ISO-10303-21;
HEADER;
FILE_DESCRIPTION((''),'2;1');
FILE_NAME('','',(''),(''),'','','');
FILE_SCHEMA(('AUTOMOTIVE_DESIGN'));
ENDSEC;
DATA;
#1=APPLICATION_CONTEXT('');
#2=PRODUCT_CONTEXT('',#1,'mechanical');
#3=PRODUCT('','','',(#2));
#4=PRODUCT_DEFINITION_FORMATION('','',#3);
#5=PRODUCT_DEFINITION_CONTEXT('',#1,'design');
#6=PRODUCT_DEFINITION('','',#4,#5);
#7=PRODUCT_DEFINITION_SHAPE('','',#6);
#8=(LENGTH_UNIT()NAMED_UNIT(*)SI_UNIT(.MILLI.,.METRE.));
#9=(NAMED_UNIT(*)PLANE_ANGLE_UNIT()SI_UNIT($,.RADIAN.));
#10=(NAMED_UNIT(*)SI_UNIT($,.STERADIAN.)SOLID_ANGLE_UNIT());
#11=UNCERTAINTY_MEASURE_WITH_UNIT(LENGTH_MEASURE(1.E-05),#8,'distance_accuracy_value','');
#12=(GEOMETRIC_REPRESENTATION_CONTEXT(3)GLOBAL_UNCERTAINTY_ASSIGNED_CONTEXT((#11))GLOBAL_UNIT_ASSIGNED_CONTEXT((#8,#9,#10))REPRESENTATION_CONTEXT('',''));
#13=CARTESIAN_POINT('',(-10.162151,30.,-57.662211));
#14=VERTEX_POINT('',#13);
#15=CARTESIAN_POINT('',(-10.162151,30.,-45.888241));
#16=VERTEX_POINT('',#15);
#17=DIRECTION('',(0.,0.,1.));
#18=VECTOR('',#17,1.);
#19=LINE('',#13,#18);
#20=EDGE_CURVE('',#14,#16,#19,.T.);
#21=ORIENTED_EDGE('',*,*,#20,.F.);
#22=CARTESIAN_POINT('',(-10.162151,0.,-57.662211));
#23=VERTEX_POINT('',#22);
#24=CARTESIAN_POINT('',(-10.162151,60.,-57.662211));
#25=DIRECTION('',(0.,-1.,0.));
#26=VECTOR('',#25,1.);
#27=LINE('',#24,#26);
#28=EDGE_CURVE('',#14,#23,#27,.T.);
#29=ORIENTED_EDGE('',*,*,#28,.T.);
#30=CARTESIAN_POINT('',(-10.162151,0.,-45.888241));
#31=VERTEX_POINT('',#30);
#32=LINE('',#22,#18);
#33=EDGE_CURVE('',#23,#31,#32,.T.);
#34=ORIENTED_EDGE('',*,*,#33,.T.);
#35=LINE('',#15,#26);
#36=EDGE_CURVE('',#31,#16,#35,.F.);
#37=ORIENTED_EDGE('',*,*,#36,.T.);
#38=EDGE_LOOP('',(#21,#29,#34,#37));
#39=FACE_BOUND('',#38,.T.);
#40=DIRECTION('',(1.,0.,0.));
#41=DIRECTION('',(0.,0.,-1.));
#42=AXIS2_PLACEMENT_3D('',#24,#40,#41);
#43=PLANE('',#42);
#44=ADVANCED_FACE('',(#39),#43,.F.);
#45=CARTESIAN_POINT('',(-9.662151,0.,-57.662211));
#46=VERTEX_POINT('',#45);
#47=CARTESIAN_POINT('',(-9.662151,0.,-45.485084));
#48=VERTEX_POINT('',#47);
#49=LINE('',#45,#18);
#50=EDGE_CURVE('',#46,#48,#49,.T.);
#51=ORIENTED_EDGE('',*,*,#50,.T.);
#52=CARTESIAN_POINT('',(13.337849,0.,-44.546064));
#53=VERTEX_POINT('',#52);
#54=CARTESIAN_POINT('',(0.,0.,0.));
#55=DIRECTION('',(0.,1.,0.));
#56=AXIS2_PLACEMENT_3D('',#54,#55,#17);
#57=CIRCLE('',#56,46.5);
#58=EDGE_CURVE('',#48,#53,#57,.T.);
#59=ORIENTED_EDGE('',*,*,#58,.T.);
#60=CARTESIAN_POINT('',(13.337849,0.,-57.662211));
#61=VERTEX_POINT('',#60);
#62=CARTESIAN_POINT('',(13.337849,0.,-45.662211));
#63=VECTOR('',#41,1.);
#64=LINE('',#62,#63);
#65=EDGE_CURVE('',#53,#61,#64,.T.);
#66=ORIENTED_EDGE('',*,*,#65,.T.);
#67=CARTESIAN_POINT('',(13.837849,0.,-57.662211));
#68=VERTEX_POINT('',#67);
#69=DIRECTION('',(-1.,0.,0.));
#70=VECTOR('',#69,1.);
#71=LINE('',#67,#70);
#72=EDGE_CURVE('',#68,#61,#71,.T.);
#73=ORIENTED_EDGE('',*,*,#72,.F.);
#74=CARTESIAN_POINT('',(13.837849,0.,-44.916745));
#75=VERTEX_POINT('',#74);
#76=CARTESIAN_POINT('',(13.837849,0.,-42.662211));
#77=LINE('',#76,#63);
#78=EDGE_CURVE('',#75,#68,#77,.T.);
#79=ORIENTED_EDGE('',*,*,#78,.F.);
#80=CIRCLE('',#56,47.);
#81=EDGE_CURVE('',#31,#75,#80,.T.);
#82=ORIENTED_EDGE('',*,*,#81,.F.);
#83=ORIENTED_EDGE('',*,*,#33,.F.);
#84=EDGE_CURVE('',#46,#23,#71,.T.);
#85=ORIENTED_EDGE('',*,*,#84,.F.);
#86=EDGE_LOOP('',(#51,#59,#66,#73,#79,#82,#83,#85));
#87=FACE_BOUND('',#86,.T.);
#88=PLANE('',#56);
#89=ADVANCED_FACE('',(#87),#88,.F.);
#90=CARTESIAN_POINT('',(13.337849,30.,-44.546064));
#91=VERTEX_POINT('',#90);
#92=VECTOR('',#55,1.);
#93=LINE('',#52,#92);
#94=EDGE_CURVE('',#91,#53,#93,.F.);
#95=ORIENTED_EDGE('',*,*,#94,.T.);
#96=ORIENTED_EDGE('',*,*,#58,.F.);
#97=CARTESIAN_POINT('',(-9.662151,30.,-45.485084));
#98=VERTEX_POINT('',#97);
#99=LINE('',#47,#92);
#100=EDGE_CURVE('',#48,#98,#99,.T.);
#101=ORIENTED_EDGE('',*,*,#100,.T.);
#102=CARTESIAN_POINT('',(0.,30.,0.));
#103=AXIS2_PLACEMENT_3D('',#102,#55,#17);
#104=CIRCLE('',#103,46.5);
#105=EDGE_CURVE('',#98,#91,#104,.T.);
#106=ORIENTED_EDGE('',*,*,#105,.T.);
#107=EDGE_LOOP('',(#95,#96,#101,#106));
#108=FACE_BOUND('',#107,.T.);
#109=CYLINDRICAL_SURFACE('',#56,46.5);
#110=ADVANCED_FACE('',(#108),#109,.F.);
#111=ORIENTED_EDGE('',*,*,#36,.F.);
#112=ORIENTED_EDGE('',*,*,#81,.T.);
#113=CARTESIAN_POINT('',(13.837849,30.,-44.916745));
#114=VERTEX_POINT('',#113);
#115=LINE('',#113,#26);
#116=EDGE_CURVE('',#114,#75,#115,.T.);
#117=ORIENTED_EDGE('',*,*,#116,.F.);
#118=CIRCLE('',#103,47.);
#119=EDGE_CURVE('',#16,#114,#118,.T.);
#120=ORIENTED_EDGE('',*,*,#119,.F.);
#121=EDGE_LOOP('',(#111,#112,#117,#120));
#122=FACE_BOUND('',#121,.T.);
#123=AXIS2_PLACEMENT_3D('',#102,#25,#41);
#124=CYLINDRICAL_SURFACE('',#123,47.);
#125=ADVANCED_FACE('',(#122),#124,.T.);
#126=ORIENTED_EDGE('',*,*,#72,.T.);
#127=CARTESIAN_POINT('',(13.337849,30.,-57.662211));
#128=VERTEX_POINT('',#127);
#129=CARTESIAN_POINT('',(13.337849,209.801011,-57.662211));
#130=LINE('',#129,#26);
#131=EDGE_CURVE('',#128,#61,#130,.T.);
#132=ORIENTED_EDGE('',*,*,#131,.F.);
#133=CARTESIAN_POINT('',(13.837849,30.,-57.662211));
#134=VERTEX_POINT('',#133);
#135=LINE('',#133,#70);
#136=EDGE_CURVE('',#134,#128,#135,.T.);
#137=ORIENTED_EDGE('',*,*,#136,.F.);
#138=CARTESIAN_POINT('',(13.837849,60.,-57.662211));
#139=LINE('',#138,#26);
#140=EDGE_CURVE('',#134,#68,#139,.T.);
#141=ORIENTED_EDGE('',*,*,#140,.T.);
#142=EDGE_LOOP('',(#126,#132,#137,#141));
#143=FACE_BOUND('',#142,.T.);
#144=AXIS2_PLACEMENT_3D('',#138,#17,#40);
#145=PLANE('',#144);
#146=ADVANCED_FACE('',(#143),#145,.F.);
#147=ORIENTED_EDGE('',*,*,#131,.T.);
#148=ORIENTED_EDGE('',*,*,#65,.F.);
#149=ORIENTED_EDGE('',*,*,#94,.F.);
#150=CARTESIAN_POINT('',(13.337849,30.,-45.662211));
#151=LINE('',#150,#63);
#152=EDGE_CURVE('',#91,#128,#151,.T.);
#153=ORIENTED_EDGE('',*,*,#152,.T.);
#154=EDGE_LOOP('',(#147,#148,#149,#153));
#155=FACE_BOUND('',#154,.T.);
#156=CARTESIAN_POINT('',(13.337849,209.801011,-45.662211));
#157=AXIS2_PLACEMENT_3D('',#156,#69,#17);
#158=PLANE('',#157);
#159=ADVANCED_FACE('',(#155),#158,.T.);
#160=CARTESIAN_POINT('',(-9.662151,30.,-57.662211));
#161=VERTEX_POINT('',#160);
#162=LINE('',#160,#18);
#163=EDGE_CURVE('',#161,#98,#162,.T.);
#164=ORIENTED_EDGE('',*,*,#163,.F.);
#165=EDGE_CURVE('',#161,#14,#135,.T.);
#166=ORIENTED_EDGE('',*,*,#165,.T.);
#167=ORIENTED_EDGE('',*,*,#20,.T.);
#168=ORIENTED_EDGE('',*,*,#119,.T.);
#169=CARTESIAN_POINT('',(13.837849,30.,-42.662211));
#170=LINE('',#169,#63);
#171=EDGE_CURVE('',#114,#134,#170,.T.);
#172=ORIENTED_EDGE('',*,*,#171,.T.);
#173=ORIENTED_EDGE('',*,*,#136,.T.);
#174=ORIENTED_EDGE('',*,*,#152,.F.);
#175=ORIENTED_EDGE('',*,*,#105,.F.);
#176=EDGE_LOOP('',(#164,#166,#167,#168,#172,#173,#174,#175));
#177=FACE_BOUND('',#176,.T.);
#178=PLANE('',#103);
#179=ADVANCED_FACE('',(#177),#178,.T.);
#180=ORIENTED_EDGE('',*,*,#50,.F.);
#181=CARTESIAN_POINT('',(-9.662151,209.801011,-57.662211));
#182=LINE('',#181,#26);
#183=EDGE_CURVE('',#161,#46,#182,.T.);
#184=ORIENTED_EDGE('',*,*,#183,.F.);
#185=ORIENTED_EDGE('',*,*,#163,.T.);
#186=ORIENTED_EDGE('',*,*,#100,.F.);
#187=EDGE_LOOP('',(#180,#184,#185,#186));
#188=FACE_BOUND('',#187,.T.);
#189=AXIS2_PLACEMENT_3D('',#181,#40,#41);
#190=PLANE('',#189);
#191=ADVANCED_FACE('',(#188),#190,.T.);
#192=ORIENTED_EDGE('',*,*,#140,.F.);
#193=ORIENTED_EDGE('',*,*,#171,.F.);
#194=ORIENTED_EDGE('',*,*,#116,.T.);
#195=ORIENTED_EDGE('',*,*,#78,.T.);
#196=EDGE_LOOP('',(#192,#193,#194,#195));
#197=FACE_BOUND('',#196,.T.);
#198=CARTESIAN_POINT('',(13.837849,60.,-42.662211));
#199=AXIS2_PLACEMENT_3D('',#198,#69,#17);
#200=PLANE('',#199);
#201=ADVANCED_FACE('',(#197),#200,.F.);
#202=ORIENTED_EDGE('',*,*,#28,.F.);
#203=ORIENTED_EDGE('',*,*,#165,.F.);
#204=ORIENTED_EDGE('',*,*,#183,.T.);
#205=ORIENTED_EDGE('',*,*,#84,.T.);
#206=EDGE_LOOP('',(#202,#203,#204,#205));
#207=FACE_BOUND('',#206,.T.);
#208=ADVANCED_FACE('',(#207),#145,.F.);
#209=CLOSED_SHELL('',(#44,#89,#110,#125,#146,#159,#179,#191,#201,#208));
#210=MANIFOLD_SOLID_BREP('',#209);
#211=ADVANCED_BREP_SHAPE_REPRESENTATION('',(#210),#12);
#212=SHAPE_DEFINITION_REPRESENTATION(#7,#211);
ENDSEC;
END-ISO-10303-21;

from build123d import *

# Parameters (mm, degrees)
SKETCH1_R               = 47
BOSS_EXTRUDE1_DEPTH     = 30
SKETCH3_W               = 24
SKETCH3_H               = 15
BOSS_EXTRUDE2_DEPTH     = 30
SKETCH4_W               = 24
SKETCH4_H               = 15
CUT_EXTRUDE1_DEPTH      = 30
CUT_EXTRUDE2_DEPTH      = 81.211785557
CUT_EXTRUDE2_DEPTH_BACK = 30
SKETCH6_R               = 46.5
CUT_EXTRUDE3_DEPTH      = 30
SKETCH9_W               = 4.550783746
SKETCH9_H               = 30
CUT_EXTRUDE4_DEPTH      = 30
SKETCH10_W              = 0.875085896
SKETCH10_H              = 30
CUT_EXTRUDE5_DEPTH      = 30


with BuildPart() as part:
    # Sketch1 → Boss-Extrude1 (new body)
    with BuildSketch(Plane(origin=(0, 0, 0), x_dir=(1, 0, 0), z_dir=(0, 1, 0))):
        with Locations(Location((0, 0, 0), (0, 0, 270))):
            Circle(SKETCH1_R)
    extrude(amount=BOSS_EXTRUDE1_DEPTH)

    # Sketch3 → Boss-Extrude2 (add, symmetric)
    with BuildSketch(Plane(origin=(0, 30, 0), x_dir=(1, 0, 0), z_dir=(0, 1, 0))):
        with Locations((1.837848925, 50.162210695)):
            Rectangle(SKETCH3_W, SKETCH3_H)
    extrude(amount=BOSS_EXTRUDE2_DEPTH, both=True)

    # Sketch4 → Cut-Extrude1 (cut)
    with BuildSketch(Plane(origin=(0, 60, 0), x_dir=(1, 0, 0), z_dir=(0, 1, 0))):
        with Locations((1.837848925, 50.162210695)):
            Rectangle(SKETCH4_W, SKETCH4_H)
    extrude(amount=-CUT_EXTRUDE1_DEPTH, mode=Mode.SUBTRACT)

    # Sketch5 → Cut-Extrude2 (cut, two sides: drawn at the far end of the back side and taken through both)
    with BuildSketch(Plane(origin=(0, 30, 0), x_dir=(1, 0, 0), z_dir=(0, 1, 0)).offset(-CUT_EXTRUDE2_DEPTH_BACK)):
        Polygon((-9.036385525, 57.662210695), (-9.662151075, 57.662210695), (-9.662151075, 45.662210695), (13.337848925, 45.662210695), (13.337848925, 57.662210695), align=None)
    extrude(amount=CUT_EXTRUDE2_DEPTH + CUT_EXTRUDE2_DEPTH_BACK, mode=Mode.SUBTRACT)

    # Sketch6 → Cut-Extrude3 (cut)
    with BuildSketch(Plane(origin=(0, 30, 0), x_dir=(1, 0, 0), z_dir=(0, 1, 0))):
        Circle(SKETCH6_R)
    extrude(amount=-CUT_EXTRUDE3_DEPTH, mode=Mode.SUBTRACT)

    # Sketch9 → Cut-Extrude4 (cut)
    with BuildSketch(Plane(origin=(0, 0, -45.662210695), x_dir=(-1, 0, 0), z_dir=(0, 0, -1))):
        with Locations((-11.062457052, 15)):
            Rectangle(SKETCH9_W, SKETCH9_H)
    extrude(amount=-CUT_EXTRUDE4_DEPTH, mode=Mode.SUBTRACT)

    # Sketch10 → Cut-Extrude5 (cut)
    with BuildSketch(Plane(origin=(0, 0, -45.662210695), x_dir=(-1, 0, 0), z_dir=(0, 0, -1))):
        with Locations((9.224608127, 15)):
            Rectangle(SKETCH10_W, SKETCH10_H)
    extrude(amount=-CUT_EXTRUDE5_DEPTH, mode=Mode.SUBTRACT)


solid = part.part
